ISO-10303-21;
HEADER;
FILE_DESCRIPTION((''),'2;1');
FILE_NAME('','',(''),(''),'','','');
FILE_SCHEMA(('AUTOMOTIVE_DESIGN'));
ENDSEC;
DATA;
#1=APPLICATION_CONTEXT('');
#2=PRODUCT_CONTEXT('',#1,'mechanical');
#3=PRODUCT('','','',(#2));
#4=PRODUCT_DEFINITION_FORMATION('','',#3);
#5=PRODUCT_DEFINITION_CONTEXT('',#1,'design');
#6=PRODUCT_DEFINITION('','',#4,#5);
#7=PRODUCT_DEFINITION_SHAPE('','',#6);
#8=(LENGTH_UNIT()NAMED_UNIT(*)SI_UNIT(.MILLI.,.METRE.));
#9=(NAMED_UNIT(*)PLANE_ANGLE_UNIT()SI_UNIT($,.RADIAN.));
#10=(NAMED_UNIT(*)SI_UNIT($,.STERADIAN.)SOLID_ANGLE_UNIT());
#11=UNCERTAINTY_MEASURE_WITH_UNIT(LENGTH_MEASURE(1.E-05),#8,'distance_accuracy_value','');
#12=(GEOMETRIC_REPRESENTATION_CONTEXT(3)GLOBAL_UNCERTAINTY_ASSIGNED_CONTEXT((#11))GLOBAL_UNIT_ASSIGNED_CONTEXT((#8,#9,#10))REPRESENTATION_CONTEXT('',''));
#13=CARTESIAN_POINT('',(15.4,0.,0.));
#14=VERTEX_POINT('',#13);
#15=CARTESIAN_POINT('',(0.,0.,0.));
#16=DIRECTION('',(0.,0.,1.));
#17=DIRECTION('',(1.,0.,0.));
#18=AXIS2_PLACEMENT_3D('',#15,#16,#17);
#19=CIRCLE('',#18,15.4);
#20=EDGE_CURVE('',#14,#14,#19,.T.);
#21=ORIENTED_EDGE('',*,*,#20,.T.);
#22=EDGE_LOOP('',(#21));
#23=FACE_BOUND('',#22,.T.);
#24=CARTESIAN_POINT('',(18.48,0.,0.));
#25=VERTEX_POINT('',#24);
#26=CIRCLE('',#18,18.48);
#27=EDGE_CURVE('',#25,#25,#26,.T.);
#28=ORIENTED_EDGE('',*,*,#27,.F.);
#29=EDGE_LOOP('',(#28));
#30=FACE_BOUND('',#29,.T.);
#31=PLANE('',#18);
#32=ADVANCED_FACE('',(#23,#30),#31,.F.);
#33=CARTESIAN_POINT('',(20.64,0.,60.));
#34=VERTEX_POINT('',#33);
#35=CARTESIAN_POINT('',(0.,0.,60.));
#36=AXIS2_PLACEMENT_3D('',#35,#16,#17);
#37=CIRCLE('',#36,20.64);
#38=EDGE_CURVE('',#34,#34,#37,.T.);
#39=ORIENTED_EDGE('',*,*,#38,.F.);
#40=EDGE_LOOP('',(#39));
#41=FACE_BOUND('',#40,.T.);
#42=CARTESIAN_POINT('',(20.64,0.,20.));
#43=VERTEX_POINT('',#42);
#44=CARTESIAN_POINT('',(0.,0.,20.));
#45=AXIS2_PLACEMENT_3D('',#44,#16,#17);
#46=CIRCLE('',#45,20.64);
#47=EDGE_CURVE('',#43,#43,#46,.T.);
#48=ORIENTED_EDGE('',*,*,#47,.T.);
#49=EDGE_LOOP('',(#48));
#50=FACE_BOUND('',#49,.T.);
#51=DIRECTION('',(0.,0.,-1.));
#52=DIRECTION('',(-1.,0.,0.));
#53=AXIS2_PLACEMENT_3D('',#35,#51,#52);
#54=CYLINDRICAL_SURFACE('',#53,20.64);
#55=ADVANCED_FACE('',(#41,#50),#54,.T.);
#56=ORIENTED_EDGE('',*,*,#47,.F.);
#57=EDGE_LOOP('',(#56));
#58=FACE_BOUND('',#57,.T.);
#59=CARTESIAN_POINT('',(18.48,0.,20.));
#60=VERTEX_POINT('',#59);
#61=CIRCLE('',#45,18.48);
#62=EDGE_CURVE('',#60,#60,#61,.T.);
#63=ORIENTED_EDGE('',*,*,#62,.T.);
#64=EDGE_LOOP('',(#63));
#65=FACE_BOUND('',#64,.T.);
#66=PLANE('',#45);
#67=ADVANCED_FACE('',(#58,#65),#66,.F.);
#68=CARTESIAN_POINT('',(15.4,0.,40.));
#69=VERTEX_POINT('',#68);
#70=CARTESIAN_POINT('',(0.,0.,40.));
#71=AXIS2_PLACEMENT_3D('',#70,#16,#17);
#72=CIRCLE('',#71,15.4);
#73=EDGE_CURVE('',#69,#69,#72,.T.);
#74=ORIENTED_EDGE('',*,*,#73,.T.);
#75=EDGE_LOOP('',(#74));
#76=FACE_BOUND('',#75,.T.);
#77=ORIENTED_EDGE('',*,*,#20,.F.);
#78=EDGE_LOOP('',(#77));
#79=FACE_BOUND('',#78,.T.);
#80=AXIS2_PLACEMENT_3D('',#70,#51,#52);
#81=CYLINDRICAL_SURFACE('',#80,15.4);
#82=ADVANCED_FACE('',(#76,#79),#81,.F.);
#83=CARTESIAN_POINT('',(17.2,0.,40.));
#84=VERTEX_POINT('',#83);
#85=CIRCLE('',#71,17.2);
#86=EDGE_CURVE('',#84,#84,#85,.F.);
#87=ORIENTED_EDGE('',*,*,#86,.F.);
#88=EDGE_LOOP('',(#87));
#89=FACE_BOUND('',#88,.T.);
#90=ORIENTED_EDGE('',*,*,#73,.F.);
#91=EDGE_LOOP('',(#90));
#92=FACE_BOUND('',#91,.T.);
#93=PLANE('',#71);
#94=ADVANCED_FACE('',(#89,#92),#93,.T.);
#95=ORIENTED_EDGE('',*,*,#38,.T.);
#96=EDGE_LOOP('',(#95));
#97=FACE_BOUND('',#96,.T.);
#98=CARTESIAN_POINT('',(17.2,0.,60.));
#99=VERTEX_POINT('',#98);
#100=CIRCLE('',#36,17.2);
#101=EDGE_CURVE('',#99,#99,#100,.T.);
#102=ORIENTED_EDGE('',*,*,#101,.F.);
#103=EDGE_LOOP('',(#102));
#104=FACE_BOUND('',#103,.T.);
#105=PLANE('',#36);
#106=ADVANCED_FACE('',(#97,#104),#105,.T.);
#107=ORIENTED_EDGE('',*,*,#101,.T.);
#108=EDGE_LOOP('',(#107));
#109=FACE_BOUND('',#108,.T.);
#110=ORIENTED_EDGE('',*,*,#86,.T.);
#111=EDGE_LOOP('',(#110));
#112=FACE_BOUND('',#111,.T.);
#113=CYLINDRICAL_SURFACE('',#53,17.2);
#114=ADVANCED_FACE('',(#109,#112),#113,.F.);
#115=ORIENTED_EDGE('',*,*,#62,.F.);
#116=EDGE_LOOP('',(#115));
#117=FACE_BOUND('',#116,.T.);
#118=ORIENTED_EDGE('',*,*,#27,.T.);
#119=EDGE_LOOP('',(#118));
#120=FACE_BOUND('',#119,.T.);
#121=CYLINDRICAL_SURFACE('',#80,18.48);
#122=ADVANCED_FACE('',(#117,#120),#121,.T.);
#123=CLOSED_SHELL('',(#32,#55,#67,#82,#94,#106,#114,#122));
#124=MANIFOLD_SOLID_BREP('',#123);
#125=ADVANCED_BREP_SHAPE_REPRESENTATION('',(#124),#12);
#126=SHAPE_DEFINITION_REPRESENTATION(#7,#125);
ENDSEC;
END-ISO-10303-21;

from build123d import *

# Parameters (mm, degrees)
SKETCH4_R           = 18.48
SKETCH4_R_2         = 15.4
BOSS_EXTRUDE1_DEPTH = 40
SKETCH5_R           = 20.64
SKETCH5_R_2         = 17.2
BOSS_EXTRUDE2_DEPTH = 40


with BuildPart() as part:
    # Sketch4 → Boss-Extrude1 (new body)
    with BuildSketch(Plane.XY):
        Circle(SKETCH4_R)
        Circle(SKETCH4_R_2, mode=Mode.SUBTRACT)
    extrude(amount=BOSS_EXTRUDE1_DEPTH)

    # Sketch5 → Boss-Extrude2 (add)
    with BuildSketch(Plane.XY.offset(20)):
        Circle(SKETCH5_R)
        Circle(SKETCH5_R_2, mode=Mode.SUBTRACT)
    extrude(amount=BOSS_EXTRUDE2_DEPTH)


solid = part.part
